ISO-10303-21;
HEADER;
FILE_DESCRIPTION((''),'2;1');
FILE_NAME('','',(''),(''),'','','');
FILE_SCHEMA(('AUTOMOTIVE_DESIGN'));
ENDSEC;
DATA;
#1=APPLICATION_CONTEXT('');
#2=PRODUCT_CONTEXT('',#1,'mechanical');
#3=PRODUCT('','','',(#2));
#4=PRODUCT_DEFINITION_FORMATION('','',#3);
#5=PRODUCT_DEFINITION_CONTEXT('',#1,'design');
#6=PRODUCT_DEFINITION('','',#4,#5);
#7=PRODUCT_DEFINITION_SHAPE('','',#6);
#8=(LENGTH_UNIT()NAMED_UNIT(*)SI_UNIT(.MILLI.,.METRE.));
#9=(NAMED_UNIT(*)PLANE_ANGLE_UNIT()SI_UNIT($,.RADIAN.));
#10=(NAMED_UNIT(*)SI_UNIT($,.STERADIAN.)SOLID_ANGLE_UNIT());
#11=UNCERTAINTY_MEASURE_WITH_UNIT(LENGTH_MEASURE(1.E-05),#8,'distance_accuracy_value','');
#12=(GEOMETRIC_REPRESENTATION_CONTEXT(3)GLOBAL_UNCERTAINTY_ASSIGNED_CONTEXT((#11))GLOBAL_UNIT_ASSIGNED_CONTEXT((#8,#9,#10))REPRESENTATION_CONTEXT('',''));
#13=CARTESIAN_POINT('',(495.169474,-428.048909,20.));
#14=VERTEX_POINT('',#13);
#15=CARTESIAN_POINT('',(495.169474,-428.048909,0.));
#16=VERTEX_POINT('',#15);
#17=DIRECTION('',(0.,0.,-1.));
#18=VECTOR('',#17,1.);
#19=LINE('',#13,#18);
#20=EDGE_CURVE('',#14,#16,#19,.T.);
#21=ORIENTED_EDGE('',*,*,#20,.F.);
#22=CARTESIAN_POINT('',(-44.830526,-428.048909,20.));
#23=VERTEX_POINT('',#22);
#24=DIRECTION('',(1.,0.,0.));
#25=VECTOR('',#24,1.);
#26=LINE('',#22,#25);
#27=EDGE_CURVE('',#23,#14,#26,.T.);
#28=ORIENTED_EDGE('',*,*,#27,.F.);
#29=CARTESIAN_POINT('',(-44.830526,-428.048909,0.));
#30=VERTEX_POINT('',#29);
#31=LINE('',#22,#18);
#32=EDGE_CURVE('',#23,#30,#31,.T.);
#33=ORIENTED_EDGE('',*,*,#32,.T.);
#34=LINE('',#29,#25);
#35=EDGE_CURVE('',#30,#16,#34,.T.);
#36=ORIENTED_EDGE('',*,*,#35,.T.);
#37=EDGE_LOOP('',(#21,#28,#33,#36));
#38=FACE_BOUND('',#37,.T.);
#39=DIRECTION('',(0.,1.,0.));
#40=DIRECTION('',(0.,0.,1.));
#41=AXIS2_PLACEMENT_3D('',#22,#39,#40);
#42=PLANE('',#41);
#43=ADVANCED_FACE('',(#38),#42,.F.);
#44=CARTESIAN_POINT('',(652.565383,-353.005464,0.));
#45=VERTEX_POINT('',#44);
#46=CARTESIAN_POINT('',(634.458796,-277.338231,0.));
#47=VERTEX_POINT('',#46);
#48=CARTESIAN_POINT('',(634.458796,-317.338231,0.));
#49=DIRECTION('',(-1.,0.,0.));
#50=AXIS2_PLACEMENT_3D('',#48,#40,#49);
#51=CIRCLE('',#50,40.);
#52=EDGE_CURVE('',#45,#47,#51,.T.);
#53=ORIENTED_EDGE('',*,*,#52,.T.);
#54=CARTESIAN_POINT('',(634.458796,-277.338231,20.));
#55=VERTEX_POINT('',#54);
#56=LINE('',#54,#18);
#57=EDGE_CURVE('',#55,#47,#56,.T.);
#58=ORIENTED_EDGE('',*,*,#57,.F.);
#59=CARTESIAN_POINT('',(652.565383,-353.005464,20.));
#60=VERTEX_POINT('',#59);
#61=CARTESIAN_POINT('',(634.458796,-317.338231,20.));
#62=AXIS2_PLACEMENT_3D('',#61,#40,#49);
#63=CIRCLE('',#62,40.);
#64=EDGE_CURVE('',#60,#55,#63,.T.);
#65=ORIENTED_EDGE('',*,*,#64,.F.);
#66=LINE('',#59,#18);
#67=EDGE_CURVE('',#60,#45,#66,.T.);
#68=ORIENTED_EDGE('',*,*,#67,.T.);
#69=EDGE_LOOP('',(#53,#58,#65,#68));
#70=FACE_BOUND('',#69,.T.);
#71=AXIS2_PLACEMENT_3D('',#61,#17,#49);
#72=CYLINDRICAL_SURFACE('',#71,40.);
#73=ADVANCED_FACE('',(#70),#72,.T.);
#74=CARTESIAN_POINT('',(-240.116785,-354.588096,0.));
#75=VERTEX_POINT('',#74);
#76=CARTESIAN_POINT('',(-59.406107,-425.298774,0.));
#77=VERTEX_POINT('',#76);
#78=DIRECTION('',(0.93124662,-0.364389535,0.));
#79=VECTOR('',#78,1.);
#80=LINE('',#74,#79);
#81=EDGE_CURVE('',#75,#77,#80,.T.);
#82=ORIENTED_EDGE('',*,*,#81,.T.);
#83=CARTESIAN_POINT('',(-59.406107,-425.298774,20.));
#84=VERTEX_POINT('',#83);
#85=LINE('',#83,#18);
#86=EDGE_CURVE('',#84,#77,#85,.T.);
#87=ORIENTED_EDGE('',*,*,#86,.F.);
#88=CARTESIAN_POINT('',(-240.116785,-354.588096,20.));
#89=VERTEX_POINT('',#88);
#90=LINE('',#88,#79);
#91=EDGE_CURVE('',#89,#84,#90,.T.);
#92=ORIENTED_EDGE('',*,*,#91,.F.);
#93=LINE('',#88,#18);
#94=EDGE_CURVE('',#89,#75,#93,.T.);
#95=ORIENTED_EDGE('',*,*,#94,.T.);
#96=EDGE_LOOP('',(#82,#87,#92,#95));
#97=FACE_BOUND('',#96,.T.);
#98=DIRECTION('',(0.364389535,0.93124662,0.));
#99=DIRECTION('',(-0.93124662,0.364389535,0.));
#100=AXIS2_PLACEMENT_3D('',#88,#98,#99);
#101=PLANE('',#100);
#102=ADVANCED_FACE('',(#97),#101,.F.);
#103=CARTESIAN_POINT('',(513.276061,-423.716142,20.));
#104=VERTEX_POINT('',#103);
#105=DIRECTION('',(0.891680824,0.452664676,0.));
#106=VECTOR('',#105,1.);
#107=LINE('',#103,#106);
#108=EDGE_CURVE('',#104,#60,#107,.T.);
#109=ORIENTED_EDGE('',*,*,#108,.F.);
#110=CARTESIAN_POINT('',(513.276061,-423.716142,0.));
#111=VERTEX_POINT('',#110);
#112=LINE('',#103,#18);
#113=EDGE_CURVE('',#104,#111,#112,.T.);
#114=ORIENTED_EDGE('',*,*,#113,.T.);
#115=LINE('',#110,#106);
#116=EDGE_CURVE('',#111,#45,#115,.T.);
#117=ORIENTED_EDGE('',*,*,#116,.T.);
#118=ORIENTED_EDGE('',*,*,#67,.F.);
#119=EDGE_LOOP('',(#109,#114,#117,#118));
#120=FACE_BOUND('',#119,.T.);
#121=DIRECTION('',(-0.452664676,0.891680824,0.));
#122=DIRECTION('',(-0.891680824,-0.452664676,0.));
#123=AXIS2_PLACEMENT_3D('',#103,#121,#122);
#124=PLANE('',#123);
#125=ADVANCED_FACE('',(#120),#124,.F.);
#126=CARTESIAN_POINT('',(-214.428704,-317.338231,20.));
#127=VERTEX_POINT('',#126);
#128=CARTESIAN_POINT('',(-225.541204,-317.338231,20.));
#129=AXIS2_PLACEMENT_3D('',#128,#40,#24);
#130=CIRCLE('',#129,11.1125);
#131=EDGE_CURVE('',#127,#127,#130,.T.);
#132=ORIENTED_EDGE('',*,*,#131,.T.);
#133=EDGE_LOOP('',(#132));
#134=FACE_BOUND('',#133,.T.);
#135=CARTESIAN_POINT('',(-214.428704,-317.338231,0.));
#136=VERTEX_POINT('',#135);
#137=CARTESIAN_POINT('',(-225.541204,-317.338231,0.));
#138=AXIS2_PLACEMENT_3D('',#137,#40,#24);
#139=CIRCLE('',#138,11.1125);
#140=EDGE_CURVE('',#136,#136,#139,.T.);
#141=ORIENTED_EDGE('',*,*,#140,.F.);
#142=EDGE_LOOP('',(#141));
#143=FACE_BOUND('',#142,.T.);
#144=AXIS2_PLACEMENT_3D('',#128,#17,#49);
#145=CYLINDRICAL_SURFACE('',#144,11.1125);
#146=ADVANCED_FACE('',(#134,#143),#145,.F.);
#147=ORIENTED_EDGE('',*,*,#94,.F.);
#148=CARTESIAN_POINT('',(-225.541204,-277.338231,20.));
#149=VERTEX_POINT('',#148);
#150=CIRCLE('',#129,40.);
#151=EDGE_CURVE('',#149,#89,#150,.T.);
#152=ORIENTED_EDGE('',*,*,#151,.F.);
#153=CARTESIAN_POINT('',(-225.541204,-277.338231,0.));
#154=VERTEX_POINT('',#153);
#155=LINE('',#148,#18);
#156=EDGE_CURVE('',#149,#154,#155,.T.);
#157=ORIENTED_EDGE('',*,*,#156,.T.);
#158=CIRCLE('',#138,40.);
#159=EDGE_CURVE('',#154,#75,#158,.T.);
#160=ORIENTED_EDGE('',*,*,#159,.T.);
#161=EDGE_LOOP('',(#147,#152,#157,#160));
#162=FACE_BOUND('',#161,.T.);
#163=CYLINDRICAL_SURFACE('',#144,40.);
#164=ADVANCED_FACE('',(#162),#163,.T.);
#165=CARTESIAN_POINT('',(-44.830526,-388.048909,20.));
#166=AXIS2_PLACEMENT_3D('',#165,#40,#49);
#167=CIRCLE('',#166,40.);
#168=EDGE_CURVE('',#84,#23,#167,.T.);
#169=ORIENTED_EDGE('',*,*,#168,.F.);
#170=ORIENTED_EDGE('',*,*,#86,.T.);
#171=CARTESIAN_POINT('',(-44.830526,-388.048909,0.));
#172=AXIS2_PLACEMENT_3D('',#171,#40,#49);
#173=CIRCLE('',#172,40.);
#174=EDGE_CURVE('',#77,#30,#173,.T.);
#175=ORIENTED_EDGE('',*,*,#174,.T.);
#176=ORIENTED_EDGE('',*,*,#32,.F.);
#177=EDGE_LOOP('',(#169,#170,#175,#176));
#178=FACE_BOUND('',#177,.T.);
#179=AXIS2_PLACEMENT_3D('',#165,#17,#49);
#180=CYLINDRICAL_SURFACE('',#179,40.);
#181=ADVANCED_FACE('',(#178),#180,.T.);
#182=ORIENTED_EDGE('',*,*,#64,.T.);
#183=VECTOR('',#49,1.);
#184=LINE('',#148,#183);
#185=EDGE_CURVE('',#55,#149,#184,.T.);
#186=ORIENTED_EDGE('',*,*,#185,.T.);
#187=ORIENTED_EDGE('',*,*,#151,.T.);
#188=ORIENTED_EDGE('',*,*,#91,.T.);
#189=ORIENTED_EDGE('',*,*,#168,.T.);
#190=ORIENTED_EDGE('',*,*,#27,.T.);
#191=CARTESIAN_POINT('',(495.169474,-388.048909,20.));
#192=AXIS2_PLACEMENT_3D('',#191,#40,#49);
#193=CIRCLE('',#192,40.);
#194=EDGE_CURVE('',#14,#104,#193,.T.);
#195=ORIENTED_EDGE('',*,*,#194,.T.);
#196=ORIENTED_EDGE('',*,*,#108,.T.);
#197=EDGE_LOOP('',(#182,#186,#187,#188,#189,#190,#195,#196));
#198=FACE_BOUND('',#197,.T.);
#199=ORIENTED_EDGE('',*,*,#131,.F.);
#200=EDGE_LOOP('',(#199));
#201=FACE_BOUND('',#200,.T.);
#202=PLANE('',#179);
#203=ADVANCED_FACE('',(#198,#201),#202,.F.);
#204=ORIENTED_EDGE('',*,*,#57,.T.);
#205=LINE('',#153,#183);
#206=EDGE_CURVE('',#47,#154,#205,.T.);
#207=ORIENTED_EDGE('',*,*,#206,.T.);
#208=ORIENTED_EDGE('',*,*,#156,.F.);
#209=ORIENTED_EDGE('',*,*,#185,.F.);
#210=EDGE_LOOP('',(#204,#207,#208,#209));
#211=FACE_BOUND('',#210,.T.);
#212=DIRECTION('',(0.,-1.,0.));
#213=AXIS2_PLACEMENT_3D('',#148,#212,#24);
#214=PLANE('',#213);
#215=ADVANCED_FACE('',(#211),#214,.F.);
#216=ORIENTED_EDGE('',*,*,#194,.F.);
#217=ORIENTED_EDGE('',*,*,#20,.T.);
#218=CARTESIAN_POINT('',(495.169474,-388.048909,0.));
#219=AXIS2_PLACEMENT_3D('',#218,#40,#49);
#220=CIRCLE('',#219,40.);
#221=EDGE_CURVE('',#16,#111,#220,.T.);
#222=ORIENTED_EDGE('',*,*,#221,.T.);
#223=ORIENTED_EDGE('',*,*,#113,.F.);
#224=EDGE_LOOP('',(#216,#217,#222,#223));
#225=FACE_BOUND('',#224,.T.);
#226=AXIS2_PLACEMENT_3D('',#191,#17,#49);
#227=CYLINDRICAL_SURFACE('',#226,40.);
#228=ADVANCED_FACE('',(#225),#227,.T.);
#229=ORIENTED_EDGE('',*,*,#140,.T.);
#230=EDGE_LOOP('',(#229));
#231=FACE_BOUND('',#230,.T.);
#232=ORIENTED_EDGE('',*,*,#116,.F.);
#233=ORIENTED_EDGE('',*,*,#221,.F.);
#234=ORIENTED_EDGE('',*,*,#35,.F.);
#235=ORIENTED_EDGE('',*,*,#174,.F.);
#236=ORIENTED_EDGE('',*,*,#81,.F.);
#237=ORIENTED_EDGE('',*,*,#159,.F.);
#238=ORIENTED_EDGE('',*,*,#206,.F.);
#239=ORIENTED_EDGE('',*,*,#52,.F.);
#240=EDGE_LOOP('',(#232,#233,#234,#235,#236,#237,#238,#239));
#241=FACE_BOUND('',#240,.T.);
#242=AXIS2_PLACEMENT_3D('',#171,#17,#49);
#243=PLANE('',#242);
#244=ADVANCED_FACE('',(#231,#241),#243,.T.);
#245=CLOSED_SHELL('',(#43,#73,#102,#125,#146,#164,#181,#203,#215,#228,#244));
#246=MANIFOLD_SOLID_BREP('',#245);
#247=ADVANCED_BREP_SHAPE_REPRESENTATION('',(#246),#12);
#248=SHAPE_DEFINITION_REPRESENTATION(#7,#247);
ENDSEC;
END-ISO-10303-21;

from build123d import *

# Parameters (mm, degrees)
SKETCH1_R           = 11.1125
BOSS_EXTRUDE1_DEPTH = 20


with BuildPart() as part:
    # Sketch1 → Boss-Extrude1 (new body)
    with BuildSketch(Plane.XY):
        with BuildLine():
            Line((-44.830525923, -428.048909173), (495.169474077, -428.048909173))
            ThreePointArc((495.169474077, -428.048909173), (504.478359134, -426.95063997), (513.276061103, -423.716142122))
            Line((513.276061103, -423.716142122), (652.565382984, -353.005464004))
            ThreePointArc((652.565382984, -353.005464004), (673.360526755, -308.029345997), (634.458795958, -277.338231054))
            Line((634.458795958, -277.338231054), (-225.541204042, -277.338231054))
            ThreePointArc((-225.541204042, -277.338231054), (-264.847657657, -309.921850251), (-240.116785444, -354.588095843))
            Line((-240.116785444, -354.588095843), (-59.406107325, -425.298773962))
            ThreePointArc((-59.406107325, -425.298773962), (-52.246906726, -427.355362788), (-44.830525923, -428.048909173))
        make_face()
        with Locations((-225.541204042, -317.338231054)):
            Circle(SKETCH1_R, mode=Mode.SUBTRACT)
    extrude(amount=BOSS_EXTRUDE1_DEPTH)


solid = part.part
